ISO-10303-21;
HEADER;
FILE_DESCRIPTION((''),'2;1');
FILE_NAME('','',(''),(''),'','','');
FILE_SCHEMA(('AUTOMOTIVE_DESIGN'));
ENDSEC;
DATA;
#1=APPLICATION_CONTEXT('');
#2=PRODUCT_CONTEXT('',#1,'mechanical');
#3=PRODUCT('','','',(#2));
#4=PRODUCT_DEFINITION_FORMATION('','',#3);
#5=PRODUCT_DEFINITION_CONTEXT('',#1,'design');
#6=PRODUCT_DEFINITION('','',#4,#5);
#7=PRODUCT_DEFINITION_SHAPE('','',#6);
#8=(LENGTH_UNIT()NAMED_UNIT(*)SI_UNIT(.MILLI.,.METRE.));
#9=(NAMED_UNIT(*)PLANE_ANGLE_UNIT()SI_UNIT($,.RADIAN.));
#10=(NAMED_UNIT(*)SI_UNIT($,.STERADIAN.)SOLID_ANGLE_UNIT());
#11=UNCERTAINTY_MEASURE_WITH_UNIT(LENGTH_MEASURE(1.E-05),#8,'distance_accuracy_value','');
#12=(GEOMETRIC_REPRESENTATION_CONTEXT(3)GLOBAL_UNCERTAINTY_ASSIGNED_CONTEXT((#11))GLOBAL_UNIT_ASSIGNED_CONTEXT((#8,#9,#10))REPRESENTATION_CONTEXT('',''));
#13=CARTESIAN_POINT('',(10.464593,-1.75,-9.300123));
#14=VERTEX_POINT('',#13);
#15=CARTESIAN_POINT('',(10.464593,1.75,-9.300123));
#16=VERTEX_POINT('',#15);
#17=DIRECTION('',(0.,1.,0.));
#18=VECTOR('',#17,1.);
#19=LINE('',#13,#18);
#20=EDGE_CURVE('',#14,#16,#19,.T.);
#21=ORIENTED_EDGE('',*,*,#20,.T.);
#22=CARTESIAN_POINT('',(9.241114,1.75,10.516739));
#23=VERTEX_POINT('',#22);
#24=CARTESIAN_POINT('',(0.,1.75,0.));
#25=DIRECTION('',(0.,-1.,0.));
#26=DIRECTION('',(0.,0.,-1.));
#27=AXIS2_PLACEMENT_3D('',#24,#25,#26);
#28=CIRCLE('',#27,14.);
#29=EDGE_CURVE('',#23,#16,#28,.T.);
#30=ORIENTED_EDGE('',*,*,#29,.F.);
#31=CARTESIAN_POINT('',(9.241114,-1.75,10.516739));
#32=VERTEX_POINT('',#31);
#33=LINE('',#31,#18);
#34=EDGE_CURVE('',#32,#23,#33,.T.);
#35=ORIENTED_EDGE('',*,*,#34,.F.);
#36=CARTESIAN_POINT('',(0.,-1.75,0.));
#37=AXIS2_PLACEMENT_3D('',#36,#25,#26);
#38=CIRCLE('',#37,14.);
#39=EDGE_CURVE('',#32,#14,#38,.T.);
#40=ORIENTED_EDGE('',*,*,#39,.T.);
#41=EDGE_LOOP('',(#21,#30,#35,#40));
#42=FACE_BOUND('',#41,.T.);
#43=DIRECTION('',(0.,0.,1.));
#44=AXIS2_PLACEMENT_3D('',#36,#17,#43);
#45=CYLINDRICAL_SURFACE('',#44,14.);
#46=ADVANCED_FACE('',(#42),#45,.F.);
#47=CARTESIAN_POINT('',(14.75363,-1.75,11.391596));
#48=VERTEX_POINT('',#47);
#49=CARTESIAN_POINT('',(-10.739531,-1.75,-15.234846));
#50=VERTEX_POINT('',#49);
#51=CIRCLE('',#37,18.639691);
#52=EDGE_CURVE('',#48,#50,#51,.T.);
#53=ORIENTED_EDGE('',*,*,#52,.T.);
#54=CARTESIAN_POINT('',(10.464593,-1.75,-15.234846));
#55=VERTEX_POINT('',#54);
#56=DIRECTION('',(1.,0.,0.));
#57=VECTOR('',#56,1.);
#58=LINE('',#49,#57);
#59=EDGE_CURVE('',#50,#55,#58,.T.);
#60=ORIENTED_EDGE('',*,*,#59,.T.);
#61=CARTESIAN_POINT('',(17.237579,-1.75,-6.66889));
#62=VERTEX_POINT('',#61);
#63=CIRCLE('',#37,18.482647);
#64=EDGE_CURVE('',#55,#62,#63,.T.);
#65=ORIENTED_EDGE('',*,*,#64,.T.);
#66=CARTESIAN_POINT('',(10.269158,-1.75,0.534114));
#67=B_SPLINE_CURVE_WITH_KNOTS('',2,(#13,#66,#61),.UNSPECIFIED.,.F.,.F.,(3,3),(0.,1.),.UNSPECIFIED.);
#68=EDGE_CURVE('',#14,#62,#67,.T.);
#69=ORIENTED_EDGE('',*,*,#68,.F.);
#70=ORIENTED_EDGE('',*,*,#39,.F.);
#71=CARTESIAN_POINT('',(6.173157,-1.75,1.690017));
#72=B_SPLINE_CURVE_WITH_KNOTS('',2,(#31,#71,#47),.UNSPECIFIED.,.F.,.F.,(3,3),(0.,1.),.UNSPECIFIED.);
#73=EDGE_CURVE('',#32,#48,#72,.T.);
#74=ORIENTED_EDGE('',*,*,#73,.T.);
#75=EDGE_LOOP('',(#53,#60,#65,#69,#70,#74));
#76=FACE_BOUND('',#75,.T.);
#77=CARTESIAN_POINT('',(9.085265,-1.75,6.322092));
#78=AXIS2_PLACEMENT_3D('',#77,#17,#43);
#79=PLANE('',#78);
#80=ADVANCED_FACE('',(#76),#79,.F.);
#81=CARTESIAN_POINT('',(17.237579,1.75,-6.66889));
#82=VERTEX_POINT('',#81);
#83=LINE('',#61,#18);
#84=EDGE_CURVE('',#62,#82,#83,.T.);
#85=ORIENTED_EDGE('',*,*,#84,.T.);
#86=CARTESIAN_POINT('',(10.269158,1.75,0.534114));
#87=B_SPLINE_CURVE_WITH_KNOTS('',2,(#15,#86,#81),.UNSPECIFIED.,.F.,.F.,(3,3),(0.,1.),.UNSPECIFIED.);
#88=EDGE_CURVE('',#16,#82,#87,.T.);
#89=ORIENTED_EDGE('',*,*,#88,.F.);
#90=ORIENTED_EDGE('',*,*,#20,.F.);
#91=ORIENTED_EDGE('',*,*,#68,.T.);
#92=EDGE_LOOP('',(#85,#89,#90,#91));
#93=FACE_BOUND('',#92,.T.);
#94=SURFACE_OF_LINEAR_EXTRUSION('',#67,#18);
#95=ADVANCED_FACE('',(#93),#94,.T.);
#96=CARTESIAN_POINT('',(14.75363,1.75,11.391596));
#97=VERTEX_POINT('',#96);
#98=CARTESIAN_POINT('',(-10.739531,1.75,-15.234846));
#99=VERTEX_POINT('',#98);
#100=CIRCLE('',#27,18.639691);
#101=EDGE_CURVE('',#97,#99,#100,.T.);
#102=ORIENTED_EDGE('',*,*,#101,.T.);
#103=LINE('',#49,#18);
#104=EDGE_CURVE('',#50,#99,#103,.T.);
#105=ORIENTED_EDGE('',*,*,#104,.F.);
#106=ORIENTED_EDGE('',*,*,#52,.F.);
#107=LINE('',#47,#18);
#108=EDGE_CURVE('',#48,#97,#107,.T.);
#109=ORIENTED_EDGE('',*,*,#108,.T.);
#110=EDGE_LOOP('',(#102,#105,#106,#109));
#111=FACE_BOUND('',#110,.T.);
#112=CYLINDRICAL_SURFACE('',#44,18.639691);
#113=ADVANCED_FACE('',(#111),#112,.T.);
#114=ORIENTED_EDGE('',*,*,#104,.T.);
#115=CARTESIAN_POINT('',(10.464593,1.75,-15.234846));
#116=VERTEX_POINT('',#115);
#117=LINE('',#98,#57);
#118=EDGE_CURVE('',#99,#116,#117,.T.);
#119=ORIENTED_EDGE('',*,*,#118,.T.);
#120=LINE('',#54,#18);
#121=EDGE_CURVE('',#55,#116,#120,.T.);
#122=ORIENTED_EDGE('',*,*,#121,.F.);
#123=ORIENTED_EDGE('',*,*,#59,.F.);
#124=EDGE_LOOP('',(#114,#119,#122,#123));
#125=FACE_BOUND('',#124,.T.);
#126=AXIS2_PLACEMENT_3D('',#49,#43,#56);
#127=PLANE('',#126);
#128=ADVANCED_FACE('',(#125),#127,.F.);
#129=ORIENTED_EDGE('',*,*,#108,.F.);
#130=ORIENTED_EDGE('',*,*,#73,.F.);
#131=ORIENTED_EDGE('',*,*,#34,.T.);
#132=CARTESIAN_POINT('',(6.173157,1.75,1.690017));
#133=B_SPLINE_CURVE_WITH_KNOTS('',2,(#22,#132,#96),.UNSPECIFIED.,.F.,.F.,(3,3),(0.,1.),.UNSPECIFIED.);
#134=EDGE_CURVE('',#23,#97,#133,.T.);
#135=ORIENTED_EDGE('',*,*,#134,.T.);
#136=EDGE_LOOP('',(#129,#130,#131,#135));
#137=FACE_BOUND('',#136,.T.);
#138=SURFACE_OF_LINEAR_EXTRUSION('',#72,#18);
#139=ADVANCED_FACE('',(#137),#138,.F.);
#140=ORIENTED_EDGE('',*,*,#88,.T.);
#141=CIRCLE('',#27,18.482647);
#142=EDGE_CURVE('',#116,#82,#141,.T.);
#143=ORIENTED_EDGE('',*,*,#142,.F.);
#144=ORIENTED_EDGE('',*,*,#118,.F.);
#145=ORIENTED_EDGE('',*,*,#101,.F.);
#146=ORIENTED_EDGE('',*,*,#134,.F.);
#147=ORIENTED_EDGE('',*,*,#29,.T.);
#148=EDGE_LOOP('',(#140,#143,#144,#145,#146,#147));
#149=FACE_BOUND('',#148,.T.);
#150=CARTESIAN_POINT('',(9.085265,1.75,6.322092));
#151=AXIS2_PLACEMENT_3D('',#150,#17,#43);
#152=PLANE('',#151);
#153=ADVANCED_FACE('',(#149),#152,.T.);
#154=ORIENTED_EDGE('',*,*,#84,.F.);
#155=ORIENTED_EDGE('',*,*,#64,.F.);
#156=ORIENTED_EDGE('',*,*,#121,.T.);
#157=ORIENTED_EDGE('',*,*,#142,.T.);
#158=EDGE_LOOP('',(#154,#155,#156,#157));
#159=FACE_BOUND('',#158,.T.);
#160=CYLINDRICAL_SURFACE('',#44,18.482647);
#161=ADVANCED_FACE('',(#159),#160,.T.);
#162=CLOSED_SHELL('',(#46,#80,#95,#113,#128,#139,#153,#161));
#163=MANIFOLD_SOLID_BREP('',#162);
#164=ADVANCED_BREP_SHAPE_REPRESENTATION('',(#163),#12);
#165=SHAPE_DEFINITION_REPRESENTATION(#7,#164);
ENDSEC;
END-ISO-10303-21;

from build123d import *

# Parameters (mm, degrees)
BOSS_EXTRUDE6_DEPTH = 1.75


with BuildPart() as part:
    # Sketch2 → Boss-Extrude6 (new, symmetric)
    with BuildSketch(Plane(origin=(0, 0, 0), x_dir=(1, 0, 0), z_dir=(0, 1, 0))):
        with BuildLine():
            Line((-10.739531219, 15.234845975), (10.464592886, 15.234845975))
            ThreePointArc((10.464592886, 15.234845975), (14.498154651, 11.463496319), (17.237579405, 6.668889894))
            add(Edge.make_bspline(
                [(10.464592886, 9.300123426), (10.269158267, -0.534114199), (17.237579405, 6.668889894)],
                knots=[0, 0, 0, 1, 1, 1], degree=2))
            ThreePointArc((10.464592886, 9.300123426), (-13.973393874, 0.862707152), (9.241114219, -10.516739418))
            add(Edge.make_bspline(
                [(9.241114219, -10.516739418), (6.173157196, -1.690016533), (14.753630457, -11.391595632)],
                knots=[0, 0, 0, 1, 1, 1], degree=2))
            ThreePointArc((14.753630457, -11.391595632), (-13.463658356, -12.890615438), (-10.739531219, 15.234845975))
        make_face()
    extrude(amount=BOSS_EXTRUDE6_DEPTH, both=True)


solid = part.part
